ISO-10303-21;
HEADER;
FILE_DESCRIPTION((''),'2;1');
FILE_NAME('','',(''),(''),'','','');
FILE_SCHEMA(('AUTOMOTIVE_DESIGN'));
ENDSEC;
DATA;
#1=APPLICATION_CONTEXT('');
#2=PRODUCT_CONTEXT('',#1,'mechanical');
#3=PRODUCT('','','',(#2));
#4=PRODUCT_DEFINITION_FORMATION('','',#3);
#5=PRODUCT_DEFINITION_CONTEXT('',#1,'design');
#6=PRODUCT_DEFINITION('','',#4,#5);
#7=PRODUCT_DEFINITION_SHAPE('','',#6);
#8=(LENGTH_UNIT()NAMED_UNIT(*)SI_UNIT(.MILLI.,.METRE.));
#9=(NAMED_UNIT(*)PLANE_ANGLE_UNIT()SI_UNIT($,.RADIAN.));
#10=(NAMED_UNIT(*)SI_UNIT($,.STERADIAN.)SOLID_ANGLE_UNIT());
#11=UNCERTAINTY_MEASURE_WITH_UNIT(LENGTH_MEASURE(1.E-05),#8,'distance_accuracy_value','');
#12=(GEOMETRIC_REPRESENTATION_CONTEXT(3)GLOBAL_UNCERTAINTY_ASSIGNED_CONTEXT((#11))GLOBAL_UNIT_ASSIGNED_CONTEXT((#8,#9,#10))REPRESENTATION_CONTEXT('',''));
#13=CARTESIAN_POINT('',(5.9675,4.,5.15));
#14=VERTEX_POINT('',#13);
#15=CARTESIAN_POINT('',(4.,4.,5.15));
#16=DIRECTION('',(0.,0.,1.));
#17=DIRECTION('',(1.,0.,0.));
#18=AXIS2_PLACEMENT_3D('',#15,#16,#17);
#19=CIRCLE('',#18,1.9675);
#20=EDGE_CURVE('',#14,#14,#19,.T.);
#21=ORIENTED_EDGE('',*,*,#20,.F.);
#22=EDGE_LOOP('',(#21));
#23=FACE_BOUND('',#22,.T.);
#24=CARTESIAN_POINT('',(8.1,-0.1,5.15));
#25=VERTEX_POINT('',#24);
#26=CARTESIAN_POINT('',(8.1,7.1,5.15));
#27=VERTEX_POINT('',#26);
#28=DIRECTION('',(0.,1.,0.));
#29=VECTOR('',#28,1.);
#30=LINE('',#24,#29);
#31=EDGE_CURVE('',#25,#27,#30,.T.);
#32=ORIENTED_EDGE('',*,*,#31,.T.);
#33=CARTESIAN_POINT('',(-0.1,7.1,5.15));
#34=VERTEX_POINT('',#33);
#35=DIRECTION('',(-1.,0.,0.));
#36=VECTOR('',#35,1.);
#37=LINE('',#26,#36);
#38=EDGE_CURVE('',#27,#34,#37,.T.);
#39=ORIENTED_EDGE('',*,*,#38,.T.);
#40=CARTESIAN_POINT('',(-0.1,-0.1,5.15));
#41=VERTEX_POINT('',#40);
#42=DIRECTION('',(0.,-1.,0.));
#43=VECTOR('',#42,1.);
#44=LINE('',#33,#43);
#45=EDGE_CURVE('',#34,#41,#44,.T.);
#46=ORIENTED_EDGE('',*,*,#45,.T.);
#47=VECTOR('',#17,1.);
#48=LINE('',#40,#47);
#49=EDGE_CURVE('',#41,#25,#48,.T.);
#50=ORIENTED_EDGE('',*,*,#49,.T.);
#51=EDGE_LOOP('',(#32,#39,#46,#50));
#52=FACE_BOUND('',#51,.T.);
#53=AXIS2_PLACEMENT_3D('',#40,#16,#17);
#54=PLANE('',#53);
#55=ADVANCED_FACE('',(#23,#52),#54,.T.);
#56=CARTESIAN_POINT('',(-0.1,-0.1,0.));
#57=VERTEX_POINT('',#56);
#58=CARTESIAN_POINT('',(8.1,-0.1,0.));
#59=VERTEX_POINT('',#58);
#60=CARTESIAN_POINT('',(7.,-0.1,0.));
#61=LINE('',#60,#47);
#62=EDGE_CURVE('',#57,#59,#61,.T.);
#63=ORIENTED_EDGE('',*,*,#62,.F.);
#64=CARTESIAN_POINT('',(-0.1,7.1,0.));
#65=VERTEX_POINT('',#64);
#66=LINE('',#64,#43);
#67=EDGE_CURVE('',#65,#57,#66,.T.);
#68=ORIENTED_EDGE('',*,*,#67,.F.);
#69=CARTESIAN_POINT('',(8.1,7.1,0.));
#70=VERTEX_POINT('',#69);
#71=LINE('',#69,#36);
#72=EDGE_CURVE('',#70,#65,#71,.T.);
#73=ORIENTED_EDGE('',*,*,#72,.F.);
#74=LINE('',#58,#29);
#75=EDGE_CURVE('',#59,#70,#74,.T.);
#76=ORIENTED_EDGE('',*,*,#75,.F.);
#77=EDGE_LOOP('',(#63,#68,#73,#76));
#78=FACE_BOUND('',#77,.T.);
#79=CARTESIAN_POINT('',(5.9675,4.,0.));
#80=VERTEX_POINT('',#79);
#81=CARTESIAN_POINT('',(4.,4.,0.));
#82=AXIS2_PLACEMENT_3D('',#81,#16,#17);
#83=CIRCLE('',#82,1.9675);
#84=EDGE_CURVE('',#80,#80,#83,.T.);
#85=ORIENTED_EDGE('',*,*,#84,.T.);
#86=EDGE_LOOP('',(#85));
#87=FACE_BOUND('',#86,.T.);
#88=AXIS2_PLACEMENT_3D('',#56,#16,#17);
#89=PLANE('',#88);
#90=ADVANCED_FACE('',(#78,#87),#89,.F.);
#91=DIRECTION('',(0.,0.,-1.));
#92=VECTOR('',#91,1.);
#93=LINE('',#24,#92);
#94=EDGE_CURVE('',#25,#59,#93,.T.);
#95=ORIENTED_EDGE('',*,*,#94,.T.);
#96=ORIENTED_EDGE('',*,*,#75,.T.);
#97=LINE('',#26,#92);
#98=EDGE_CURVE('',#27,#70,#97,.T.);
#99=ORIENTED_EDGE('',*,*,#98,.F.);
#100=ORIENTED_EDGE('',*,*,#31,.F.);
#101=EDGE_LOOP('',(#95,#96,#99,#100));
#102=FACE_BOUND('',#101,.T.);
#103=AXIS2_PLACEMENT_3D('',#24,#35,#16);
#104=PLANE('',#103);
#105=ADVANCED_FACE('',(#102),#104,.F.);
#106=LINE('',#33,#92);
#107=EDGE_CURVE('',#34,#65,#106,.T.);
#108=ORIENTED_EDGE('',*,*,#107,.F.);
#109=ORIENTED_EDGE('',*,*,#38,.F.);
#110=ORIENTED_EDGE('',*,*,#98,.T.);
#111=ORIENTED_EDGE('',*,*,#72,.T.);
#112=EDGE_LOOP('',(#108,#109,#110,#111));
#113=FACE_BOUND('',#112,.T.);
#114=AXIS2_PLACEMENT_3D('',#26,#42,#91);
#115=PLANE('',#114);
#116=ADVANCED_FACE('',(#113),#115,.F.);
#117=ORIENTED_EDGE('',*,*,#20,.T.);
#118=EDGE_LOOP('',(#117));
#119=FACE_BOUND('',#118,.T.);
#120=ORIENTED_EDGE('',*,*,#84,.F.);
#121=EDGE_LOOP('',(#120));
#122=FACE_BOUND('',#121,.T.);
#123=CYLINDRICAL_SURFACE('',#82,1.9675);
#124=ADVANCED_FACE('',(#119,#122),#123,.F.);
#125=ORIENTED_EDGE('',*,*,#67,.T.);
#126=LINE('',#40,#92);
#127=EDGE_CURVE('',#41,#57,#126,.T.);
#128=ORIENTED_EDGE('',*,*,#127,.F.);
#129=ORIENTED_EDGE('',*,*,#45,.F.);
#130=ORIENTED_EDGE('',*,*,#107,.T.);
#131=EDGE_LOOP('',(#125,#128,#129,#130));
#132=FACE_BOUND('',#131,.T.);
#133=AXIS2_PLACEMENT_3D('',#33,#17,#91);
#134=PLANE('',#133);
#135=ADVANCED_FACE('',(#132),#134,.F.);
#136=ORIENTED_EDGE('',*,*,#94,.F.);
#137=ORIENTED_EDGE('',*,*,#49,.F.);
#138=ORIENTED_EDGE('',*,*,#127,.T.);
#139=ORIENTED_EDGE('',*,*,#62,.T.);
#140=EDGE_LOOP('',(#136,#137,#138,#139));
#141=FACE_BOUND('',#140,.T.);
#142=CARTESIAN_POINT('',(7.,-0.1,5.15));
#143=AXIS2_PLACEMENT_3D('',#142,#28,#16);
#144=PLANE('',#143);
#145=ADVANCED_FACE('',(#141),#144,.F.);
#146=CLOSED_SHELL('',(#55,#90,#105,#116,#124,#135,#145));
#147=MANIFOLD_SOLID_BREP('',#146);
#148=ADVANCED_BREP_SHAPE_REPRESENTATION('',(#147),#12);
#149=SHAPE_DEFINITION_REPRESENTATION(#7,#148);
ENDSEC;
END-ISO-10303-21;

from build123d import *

# Parameters (mm, degrees)
BOSS_EXTRUDE1_DEPTH = 5.15
SKETCH2_R           = 1.9675
CUT_EXTRUDE1_DEPTH  = 6.15


with BuildPart() as part:
    # Sketch1 → Boss-Extrude1 (new body)
    with BuildSketch(Plane.XY):
        Polygon((-0.1, -0.1), (3, -0.1), (7, -0.1), (8.1, -0.1), (8.1, 7.1), (-0.1, 7.1), align=None)
    extrude(amount=BOSS_EXTRUDE1_DEPTH)

    # Sketch2 → Cut-Extrude1 (cut, through all)
    with BuildSketch(Plane.XY.offset(5.15)):
        with Locations((4, 4)):
            Circle(SKETCH2_R)
    extrude(amount=-CUT_EXTRUDE1_DEPTH, mode=Mode.SUBTRACT)


solid = part.part
